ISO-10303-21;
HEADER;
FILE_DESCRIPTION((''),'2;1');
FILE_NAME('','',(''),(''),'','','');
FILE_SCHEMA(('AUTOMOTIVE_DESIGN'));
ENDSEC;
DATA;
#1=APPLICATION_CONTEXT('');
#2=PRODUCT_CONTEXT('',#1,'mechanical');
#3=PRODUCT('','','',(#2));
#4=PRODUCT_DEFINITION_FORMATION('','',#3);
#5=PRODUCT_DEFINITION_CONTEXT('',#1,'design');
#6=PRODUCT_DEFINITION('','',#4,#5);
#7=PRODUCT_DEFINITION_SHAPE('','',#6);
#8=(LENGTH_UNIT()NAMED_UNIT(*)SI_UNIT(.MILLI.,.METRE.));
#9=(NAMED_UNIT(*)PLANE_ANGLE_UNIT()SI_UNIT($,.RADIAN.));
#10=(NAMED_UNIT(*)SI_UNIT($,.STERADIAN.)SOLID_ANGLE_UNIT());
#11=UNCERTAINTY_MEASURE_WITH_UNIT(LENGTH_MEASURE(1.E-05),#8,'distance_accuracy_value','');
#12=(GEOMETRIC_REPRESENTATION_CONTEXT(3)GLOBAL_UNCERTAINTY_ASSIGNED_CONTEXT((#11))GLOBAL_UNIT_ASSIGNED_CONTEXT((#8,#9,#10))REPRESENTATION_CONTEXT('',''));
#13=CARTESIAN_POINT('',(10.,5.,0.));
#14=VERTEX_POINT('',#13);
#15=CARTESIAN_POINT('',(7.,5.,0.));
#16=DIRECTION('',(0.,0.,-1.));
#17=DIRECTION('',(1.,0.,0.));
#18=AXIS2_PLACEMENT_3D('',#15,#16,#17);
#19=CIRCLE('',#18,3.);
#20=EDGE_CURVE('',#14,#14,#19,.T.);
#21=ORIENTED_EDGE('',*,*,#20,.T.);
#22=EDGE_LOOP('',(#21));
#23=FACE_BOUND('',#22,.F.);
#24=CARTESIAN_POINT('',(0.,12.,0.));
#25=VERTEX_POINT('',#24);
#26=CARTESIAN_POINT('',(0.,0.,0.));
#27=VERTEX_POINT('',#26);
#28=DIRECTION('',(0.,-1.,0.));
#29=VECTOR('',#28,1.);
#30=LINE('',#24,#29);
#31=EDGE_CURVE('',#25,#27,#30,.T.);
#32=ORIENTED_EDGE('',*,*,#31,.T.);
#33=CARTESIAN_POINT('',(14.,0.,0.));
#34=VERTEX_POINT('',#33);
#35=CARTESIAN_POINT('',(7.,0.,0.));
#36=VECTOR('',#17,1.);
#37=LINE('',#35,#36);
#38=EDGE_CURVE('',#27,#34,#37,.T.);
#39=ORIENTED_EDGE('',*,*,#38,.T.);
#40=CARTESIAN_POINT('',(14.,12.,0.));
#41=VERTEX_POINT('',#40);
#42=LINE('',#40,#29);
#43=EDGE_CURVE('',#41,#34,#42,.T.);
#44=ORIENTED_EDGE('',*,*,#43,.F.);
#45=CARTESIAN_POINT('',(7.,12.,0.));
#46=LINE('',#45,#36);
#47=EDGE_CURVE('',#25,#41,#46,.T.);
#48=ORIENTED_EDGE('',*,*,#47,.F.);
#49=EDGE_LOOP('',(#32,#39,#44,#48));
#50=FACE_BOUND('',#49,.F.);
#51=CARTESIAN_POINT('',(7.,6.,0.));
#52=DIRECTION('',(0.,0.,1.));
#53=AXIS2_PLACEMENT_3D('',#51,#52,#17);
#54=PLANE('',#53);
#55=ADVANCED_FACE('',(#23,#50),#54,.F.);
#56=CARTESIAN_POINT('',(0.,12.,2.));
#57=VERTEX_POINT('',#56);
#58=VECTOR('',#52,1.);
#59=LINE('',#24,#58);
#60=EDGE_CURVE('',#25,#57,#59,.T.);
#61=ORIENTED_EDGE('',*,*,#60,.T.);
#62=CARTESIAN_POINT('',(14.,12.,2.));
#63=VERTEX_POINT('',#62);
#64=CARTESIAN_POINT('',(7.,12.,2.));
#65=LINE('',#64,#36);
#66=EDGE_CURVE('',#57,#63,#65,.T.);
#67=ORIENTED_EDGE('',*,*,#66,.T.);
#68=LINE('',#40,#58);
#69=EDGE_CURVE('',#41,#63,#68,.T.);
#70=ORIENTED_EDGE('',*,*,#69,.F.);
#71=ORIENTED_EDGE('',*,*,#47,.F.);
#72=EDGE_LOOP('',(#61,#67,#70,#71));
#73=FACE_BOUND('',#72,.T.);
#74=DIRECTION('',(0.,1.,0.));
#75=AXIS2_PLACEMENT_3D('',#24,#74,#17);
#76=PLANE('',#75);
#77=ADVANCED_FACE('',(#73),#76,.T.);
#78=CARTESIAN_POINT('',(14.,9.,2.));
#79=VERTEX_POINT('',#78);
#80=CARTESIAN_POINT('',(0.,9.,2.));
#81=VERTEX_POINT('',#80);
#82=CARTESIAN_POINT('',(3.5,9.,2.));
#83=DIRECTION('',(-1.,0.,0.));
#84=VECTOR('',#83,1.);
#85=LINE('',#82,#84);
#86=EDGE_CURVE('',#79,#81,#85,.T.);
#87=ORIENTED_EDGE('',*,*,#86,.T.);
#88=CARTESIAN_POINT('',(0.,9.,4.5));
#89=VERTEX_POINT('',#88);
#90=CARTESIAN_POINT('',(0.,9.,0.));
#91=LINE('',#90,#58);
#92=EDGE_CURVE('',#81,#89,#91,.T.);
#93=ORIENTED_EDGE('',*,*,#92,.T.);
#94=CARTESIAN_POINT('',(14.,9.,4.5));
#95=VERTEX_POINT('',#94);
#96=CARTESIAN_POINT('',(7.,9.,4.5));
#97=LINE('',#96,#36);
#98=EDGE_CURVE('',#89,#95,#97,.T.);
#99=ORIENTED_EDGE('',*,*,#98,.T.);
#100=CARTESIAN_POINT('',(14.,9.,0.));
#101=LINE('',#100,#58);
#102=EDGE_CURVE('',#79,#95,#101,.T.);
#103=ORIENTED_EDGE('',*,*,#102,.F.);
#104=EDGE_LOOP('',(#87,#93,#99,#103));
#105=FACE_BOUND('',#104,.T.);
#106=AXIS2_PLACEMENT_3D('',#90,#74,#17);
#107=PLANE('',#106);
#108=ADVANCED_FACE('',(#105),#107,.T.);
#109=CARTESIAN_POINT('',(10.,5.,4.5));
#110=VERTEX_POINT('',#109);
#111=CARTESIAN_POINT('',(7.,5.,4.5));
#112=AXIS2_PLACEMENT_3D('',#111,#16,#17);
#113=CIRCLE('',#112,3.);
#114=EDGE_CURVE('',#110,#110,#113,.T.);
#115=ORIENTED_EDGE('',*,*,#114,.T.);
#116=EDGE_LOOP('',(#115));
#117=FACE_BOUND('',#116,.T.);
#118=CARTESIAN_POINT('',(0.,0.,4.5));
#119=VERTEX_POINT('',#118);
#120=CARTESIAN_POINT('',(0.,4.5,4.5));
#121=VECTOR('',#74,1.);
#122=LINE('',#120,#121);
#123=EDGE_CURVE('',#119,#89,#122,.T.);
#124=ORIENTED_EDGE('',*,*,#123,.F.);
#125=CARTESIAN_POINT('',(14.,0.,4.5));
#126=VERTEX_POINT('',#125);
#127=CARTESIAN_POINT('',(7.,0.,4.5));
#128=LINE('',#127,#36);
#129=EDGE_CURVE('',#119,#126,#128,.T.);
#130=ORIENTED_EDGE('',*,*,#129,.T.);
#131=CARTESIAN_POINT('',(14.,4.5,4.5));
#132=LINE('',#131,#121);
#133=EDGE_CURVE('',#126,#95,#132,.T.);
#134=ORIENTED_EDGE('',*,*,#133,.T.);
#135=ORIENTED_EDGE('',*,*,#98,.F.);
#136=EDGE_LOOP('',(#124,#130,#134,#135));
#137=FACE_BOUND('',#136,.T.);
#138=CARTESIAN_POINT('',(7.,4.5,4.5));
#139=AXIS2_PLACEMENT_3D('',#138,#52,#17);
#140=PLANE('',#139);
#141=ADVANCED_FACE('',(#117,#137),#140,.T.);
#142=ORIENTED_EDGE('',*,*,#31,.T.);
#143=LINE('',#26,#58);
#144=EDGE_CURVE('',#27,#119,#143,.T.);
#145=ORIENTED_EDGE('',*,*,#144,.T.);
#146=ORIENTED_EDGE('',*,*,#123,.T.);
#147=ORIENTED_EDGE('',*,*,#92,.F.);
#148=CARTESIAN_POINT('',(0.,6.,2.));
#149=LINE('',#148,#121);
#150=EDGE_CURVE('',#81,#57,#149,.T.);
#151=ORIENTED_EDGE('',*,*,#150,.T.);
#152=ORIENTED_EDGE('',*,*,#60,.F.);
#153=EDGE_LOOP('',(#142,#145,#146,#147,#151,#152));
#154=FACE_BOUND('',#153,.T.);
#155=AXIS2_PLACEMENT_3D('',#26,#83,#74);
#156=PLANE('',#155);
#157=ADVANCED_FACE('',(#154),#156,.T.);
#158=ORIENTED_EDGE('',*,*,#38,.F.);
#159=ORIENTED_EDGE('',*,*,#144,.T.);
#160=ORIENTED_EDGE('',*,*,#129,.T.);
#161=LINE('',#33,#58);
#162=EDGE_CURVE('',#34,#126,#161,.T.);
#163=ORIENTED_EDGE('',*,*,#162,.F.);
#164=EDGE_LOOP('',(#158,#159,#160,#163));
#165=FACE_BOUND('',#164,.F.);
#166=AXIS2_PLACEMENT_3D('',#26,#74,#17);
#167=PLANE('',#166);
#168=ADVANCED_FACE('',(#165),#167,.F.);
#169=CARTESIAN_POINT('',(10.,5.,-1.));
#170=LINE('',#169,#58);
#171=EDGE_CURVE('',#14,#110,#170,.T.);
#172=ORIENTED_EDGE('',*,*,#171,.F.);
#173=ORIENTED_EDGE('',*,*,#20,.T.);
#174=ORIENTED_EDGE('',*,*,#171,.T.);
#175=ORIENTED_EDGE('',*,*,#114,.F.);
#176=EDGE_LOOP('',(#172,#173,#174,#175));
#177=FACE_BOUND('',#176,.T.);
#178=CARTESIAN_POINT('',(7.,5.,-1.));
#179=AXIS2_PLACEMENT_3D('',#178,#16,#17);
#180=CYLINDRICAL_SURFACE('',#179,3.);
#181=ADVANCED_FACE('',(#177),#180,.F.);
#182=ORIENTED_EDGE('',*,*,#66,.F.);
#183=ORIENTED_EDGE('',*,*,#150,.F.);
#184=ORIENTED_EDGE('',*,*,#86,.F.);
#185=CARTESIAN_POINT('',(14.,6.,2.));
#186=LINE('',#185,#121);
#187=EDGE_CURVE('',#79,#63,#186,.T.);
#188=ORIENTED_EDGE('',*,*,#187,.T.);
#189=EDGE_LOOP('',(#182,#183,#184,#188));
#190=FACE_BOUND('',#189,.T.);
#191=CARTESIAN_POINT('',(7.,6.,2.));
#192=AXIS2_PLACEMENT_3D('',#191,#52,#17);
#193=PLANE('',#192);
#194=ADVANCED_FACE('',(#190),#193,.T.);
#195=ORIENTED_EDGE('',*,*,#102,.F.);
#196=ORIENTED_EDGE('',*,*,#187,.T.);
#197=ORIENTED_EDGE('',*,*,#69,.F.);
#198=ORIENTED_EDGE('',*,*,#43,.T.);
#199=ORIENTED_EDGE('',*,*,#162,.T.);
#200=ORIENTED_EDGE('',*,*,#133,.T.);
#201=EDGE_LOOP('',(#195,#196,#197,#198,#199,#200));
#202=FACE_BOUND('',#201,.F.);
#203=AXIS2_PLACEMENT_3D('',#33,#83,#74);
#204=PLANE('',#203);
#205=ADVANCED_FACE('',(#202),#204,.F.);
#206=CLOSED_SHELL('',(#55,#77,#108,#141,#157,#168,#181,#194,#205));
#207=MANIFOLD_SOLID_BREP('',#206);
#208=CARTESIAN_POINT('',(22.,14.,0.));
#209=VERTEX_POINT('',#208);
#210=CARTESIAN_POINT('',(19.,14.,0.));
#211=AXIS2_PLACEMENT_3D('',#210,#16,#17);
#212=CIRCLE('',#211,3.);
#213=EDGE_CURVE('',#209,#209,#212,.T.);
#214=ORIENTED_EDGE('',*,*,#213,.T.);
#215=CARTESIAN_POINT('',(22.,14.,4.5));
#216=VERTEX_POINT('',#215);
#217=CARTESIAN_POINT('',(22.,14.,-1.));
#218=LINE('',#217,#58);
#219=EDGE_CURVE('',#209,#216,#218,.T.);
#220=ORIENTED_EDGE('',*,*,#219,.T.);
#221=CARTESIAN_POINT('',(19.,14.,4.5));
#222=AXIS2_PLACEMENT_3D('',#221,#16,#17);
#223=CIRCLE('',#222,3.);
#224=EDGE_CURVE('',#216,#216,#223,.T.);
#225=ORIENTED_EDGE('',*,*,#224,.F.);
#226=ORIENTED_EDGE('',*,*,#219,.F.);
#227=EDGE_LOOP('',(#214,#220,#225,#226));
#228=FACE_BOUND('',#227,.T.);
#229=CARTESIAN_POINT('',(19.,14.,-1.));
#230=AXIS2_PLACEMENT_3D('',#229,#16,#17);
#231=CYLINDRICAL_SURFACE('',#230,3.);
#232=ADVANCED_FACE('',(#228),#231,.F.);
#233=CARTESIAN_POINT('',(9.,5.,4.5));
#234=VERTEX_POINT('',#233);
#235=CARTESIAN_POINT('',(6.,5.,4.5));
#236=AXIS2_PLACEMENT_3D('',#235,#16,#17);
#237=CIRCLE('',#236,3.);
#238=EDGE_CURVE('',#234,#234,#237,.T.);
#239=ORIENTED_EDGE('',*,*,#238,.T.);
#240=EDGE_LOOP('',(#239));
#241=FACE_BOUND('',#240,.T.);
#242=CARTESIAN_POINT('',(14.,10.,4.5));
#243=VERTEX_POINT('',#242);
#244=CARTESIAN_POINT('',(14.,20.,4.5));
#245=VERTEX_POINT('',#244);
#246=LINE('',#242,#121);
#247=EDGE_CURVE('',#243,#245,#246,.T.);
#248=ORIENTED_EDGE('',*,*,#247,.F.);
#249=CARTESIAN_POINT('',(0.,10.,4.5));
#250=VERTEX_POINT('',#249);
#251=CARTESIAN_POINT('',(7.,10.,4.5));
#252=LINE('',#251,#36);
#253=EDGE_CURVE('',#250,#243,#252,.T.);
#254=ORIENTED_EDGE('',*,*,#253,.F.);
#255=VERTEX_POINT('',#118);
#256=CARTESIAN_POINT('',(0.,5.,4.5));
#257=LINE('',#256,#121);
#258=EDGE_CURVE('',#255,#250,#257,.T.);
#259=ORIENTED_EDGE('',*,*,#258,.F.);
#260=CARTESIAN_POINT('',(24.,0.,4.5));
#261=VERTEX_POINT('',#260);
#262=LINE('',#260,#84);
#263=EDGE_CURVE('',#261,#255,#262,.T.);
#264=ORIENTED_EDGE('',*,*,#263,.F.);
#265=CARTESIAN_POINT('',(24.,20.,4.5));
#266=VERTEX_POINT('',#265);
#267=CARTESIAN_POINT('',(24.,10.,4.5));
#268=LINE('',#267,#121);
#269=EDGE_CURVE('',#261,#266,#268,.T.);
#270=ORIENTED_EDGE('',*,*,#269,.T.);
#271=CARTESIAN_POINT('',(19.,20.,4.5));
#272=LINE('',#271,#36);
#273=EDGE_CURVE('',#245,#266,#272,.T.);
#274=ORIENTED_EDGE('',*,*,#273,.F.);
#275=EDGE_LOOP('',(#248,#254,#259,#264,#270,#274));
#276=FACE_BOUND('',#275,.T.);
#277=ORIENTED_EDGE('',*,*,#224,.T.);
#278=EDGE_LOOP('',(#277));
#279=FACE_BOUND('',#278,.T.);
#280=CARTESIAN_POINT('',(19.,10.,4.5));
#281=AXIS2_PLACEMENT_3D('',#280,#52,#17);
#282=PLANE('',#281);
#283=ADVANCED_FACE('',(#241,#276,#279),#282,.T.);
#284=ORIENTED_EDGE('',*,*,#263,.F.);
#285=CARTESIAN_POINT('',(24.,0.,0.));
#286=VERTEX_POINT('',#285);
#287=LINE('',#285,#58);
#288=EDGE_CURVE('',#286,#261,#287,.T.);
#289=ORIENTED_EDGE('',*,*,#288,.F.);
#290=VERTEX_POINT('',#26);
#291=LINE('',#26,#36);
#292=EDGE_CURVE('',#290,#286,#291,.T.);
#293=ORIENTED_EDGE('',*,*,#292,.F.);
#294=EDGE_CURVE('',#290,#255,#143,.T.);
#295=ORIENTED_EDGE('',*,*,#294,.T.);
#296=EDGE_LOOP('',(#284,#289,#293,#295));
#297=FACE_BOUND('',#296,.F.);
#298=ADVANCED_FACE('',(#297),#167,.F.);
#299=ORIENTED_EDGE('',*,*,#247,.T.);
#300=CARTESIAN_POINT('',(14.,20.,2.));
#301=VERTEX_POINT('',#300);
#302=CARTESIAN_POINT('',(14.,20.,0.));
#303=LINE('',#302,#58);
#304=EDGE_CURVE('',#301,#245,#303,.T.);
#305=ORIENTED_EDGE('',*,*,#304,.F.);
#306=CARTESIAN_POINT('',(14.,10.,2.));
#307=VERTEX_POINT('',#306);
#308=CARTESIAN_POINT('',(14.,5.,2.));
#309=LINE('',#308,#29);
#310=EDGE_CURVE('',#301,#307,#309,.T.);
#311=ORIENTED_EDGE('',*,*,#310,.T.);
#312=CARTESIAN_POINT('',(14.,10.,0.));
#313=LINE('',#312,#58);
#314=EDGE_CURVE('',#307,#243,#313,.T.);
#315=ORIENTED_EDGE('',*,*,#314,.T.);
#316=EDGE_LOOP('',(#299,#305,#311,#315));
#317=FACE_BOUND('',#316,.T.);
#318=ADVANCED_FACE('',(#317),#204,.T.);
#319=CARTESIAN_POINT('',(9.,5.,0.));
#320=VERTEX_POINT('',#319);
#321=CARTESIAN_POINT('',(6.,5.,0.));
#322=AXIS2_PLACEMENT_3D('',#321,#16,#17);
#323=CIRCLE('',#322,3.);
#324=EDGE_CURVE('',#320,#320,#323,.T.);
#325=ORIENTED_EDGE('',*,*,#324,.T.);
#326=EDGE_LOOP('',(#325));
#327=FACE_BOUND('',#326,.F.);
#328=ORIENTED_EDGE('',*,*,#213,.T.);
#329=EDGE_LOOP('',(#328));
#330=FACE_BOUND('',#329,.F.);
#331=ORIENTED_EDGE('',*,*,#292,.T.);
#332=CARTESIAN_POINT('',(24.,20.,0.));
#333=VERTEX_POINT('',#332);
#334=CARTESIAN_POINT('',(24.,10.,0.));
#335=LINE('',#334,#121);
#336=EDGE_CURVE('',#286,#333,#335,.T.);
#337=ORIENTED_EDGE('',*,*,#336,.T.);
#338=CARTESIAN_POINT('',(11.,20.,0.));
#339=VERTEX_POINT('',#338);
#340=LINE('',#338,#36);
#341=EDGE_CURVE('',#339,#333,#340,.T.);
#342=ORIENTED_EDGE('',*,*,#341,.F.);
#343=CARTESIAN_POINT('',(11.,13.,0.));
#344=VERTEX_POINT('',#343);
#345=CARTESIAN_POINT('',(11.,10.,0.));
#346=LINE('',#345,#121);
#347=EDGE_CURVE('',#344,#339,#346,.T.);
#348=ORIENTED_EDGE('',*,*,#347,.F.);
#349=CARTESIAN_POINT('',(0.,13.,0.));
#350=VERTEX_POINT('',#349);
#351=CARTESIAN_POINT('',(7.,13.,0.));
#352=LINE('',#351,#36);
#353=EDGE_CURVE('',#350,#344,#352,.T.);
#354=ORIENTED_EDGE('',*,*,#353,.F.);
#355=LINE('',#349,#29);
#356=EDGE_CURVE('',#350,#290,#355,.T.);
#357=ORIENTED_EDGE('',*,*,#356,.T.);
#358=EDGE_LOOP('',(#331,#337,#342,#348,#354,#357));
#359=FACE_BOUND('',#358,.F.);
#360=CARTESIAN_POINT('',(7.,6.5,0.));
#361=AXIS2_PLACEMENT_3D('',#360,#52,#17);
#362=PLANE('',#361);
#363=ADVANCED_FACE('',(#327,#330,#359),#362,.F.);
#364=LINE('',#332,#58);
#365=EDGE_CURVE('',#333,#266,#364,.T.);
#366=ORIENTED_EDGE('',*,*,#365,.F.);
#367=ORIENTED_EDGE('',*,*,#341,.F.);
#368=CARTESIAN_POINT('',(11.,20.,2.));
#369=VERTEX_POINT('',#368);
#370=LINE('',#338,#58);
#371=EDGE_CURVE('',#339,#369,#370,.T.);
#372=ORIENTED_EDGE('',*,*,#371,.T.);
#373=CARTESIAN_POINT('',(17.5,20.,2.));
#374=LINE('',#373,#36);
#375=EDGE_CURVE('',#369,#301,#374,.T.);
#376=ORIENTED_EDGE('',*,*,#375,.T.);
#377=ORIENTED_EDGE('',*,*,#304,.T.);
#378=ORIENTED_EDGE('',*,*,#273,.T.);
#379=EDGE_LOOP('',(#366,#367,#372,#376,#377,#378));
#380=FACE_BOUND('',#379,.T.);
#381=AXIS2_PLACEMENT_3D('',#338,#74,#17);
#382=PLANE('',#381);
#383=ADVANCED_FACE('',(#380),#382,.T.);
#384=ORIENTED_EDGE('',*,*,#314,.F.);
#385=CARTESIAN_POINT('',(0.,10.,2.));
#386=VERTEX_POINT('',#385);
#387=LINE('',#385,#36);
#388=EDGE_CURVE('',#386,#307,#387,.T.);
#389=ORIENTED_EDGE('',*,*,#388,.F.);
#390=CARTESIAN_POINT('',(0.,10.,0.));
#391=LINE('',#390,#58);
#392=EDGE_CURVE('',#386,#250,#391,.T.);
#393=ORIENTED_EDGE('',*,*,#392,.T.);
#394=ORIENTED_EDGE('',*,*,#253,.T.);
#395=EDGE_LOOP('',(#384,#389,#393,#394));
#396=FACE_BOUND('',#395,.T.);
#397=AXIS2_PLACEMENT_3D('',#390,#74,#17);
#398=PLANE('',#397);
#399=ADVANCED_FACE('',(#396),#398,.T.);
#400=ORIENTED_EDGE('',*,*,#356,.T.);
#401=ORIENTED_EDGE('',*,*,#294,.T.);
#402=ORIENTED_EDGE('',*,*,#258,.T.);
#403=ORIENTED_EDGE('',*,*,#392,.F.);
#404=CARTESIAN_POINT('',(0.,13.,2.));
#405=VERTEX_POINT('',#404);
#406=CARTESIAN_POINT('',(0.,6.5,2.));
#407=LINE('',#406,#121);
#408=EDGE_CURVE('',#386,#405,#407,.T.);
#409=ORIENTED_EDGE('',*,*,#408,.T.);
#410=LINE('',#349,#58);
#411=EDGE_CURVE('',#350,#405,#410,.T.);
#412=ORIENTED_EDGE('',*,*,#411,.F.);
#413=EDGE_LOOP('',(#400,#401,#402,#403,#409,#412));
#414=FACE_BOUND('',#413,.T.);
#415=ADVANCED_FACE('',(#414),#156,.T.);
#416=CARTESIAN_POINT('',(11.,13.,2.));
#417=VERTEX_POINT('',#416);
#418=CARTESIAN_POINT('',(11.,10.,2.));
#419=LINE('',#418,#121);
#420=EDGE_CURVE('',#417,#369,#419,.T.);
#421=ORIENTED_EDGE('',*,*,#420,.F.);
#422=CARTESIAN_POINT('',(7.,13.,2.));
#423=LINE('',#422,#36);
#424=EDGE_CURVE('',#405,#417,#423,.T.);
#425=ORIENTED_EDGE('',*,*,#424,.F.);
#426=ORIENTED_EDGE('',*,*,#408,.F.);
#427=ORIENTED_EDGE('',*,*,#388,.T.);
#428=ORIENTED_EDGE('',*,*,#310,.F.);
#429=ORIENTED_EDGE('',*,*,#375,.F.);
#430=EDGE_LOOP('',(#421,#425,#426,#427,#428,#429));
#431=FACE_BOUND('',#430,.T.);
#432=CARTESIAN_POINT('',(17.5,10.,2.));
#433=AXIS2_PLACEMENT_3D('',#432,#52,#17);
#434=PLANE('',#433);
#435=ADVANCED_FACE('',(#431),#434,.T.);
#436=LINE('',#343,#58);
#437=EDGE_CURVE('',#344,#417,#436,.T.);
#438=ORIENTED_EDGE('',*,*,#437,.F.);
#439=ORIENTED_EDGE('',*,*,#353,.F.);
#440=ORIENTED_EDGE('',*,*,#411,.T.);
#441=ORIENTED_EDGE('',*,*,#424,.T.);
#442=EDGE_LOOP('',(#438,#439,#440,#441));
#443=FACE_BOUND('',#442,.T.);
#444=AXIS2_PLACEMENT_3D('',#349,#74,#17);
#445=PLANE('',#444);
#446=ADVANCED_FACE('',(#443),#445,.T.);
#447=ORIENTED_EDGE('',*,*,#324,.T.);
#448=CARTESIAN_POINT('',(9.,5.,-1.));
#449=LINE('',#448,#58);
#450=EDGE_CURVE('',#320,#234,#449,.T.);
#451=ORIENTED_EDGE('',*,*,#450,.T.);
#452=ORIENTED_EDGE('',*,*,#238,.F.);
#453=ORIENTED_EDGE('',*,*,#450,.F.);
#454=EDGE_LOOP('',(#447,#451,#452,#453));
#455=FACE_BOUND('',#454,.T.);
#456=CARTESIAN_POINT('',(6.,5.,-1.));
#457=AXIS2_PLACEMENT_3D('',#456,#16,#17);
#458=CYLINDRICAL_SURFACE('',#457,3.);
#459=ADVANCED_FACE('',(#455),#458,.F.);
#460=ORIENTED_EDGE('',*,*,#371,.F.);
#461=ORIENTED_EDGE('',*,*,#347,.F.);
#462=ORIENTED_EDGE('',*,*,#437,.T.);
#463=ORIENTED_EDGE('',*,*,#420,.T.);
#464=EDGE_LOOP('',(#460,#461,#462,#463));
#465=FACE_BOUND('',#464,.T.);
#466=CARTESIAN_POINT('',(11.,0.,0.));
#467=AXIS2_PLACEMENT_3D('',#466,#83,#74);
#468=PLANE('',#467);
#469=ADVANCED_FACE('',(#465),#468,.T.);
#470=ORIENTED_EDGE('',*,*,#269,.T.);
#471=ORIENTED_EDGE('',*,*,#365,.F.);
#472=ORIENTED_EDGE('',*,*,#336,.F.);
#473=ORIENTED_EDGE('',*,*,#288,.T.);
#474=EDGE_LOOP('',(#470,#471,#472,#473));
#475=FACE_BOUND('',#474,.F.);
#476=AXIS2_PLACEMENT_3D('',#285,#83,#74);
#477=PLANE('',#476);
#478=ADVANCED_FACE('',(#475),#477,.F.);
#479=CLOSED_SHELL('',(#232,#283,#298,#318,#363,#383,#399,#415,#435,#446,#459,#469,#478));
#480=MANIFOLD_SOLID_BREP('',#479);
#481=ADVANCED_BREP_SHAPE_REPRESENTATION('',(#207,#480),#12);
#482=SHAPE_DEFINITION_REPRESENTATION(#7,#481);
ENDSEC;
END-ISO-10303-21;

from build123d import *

# Parameters (mm, degrees)
CYLINDER_R        = 3
CYLINDER_DEPTH    = 10
BOX001_W          = 14
BOX001_H          = 9
BOX001_DEPTH      = 4.5
BOX_W             = 14
BOX_H             = 12
BOX_DEPTH         = 2
CYLINDER002_R     = 3
CYLINDER002_DEPTH = 10
CYLINDER001_R     = 3
CYLINDER001_DEPTH = 10
BOX002_W          = 14
BOX002_H          = 10
BOX002_DEPTH      = 4.5
BOX004_W          = 13
BOX004_H          = 20
BOX004_DEPTH      = 2
BOX005_W          = 10
BOX005_H          = 20
BOX005_DEPTH      = 4.5
BOX003_W          = 14
BOX003_H          = 13
BOX003_DEPTH      = 2


with BuildPart() as cylinder:
    # Cylinder → Cylinder (new body)
    with BuildSketch(Plane(origin=(7, 5, -1), x_dir=(1, 0, 0), z_dir=(0, 0, 1))):
        Circle(CYLINDER_R)
    extrude(amount=CYLINDER_DEPTH)


with BuildPart() as cube001:
    # Box001 → Box001 (new body)
    with BuildSketch(Plane.XY):
        with Locations((7, 4.5)):
            Rectangle(BOX001_W, BOX001_H)
    extrude(amount=BOX001_DEPTH)


with BuildPart() as linear:
    # Box → Box (new body)
    with BuildSketch(Plane.XY):
        with Locations((7, 6)):
            Rectangle(BOX_W, BOX_H)
    extrude(amount=BOX_DEPTH)

    # Fusion: union Cube001
    add(cube001.part)

    # Cut: cut Cylinder
    add(cylinder.part, mode=Mode.SUBTRACT)


with BuildPart() as cylinder002:
    # Cylinder002 → Cylinder002 (new body)
    with BuildSketch(Plane(origin=(19, 14, -1), x_dir=(1, 0, 0), z_dir=(0, 0, 1))):
        Circle(CYLINDER002_R)
    extrude(amount=CYLINDER002_DEPTH)


with BuildPart() as fusion001:
    # Cylinder001 → Cylinder001 (new body)
    with BuildSketch(Plane(origin=(6, 5, -1), x_dir=(1, 0, 0), z_dir=(0, 0, 1))):
        Circle(CYLINDER001_R)
    extrude(amount=CYLINDER001_DEPTH)

    # Fusion001: union Cylinder002
    add(cylinder002.part)


with BuildPart() as cube002:
    # Box002 → Box002 (new body)
    with BuildSketch(Plane.XY):
        with Locations((7, 5)):
            Rectangle(BOX002_W, BOX002_H)
    extrude(amount=BOX002_DEPTH)


with BuildPart() as cube004:
    # Box004 → Box004 (new body)
    with BuildSketch(Plane(origin=(11, 0, 0), x_dir=(1, 0, 0), z_dir=(0, 0, 1))):
        with Locations((6.5, 10)):
            Rectangle(BOX004_W, BOX004_H)
    extrude(amount=BOX004_DEPTH)


with BuildPart() as cube005:
    # Box005 → Box005 (new body)
    with BuildSketch(Plane(origin=(14, 0, 0), x_dir=(1, 0, 0), z_dir=(0, 0, 1))):
        with Locations((5, 10)):
            Rectangle(BOX005_W, BOX005_H)
    extrude(amount=BOX005_DEPTH)


with BuildPart() as angular:
    # Box003 → Box003 (new body)
    with BuildSketch(Plane.XY):
        with Locations((7, 6.5)):
            Rectangle(BOX003_W, BOX003_H)
    extrude(amount=BOX003_DEPTH)

    # Fusion002: union Cube002, Cube004, Cube005
    add(cube002.part)
    add(cube004.part)
    add(cube005.part)

    # Cut001: cut Fusion001
    add(fusion001.part, mode=Mode.SUBTRACT)


solid = Compound([linear.part, angular.part])
